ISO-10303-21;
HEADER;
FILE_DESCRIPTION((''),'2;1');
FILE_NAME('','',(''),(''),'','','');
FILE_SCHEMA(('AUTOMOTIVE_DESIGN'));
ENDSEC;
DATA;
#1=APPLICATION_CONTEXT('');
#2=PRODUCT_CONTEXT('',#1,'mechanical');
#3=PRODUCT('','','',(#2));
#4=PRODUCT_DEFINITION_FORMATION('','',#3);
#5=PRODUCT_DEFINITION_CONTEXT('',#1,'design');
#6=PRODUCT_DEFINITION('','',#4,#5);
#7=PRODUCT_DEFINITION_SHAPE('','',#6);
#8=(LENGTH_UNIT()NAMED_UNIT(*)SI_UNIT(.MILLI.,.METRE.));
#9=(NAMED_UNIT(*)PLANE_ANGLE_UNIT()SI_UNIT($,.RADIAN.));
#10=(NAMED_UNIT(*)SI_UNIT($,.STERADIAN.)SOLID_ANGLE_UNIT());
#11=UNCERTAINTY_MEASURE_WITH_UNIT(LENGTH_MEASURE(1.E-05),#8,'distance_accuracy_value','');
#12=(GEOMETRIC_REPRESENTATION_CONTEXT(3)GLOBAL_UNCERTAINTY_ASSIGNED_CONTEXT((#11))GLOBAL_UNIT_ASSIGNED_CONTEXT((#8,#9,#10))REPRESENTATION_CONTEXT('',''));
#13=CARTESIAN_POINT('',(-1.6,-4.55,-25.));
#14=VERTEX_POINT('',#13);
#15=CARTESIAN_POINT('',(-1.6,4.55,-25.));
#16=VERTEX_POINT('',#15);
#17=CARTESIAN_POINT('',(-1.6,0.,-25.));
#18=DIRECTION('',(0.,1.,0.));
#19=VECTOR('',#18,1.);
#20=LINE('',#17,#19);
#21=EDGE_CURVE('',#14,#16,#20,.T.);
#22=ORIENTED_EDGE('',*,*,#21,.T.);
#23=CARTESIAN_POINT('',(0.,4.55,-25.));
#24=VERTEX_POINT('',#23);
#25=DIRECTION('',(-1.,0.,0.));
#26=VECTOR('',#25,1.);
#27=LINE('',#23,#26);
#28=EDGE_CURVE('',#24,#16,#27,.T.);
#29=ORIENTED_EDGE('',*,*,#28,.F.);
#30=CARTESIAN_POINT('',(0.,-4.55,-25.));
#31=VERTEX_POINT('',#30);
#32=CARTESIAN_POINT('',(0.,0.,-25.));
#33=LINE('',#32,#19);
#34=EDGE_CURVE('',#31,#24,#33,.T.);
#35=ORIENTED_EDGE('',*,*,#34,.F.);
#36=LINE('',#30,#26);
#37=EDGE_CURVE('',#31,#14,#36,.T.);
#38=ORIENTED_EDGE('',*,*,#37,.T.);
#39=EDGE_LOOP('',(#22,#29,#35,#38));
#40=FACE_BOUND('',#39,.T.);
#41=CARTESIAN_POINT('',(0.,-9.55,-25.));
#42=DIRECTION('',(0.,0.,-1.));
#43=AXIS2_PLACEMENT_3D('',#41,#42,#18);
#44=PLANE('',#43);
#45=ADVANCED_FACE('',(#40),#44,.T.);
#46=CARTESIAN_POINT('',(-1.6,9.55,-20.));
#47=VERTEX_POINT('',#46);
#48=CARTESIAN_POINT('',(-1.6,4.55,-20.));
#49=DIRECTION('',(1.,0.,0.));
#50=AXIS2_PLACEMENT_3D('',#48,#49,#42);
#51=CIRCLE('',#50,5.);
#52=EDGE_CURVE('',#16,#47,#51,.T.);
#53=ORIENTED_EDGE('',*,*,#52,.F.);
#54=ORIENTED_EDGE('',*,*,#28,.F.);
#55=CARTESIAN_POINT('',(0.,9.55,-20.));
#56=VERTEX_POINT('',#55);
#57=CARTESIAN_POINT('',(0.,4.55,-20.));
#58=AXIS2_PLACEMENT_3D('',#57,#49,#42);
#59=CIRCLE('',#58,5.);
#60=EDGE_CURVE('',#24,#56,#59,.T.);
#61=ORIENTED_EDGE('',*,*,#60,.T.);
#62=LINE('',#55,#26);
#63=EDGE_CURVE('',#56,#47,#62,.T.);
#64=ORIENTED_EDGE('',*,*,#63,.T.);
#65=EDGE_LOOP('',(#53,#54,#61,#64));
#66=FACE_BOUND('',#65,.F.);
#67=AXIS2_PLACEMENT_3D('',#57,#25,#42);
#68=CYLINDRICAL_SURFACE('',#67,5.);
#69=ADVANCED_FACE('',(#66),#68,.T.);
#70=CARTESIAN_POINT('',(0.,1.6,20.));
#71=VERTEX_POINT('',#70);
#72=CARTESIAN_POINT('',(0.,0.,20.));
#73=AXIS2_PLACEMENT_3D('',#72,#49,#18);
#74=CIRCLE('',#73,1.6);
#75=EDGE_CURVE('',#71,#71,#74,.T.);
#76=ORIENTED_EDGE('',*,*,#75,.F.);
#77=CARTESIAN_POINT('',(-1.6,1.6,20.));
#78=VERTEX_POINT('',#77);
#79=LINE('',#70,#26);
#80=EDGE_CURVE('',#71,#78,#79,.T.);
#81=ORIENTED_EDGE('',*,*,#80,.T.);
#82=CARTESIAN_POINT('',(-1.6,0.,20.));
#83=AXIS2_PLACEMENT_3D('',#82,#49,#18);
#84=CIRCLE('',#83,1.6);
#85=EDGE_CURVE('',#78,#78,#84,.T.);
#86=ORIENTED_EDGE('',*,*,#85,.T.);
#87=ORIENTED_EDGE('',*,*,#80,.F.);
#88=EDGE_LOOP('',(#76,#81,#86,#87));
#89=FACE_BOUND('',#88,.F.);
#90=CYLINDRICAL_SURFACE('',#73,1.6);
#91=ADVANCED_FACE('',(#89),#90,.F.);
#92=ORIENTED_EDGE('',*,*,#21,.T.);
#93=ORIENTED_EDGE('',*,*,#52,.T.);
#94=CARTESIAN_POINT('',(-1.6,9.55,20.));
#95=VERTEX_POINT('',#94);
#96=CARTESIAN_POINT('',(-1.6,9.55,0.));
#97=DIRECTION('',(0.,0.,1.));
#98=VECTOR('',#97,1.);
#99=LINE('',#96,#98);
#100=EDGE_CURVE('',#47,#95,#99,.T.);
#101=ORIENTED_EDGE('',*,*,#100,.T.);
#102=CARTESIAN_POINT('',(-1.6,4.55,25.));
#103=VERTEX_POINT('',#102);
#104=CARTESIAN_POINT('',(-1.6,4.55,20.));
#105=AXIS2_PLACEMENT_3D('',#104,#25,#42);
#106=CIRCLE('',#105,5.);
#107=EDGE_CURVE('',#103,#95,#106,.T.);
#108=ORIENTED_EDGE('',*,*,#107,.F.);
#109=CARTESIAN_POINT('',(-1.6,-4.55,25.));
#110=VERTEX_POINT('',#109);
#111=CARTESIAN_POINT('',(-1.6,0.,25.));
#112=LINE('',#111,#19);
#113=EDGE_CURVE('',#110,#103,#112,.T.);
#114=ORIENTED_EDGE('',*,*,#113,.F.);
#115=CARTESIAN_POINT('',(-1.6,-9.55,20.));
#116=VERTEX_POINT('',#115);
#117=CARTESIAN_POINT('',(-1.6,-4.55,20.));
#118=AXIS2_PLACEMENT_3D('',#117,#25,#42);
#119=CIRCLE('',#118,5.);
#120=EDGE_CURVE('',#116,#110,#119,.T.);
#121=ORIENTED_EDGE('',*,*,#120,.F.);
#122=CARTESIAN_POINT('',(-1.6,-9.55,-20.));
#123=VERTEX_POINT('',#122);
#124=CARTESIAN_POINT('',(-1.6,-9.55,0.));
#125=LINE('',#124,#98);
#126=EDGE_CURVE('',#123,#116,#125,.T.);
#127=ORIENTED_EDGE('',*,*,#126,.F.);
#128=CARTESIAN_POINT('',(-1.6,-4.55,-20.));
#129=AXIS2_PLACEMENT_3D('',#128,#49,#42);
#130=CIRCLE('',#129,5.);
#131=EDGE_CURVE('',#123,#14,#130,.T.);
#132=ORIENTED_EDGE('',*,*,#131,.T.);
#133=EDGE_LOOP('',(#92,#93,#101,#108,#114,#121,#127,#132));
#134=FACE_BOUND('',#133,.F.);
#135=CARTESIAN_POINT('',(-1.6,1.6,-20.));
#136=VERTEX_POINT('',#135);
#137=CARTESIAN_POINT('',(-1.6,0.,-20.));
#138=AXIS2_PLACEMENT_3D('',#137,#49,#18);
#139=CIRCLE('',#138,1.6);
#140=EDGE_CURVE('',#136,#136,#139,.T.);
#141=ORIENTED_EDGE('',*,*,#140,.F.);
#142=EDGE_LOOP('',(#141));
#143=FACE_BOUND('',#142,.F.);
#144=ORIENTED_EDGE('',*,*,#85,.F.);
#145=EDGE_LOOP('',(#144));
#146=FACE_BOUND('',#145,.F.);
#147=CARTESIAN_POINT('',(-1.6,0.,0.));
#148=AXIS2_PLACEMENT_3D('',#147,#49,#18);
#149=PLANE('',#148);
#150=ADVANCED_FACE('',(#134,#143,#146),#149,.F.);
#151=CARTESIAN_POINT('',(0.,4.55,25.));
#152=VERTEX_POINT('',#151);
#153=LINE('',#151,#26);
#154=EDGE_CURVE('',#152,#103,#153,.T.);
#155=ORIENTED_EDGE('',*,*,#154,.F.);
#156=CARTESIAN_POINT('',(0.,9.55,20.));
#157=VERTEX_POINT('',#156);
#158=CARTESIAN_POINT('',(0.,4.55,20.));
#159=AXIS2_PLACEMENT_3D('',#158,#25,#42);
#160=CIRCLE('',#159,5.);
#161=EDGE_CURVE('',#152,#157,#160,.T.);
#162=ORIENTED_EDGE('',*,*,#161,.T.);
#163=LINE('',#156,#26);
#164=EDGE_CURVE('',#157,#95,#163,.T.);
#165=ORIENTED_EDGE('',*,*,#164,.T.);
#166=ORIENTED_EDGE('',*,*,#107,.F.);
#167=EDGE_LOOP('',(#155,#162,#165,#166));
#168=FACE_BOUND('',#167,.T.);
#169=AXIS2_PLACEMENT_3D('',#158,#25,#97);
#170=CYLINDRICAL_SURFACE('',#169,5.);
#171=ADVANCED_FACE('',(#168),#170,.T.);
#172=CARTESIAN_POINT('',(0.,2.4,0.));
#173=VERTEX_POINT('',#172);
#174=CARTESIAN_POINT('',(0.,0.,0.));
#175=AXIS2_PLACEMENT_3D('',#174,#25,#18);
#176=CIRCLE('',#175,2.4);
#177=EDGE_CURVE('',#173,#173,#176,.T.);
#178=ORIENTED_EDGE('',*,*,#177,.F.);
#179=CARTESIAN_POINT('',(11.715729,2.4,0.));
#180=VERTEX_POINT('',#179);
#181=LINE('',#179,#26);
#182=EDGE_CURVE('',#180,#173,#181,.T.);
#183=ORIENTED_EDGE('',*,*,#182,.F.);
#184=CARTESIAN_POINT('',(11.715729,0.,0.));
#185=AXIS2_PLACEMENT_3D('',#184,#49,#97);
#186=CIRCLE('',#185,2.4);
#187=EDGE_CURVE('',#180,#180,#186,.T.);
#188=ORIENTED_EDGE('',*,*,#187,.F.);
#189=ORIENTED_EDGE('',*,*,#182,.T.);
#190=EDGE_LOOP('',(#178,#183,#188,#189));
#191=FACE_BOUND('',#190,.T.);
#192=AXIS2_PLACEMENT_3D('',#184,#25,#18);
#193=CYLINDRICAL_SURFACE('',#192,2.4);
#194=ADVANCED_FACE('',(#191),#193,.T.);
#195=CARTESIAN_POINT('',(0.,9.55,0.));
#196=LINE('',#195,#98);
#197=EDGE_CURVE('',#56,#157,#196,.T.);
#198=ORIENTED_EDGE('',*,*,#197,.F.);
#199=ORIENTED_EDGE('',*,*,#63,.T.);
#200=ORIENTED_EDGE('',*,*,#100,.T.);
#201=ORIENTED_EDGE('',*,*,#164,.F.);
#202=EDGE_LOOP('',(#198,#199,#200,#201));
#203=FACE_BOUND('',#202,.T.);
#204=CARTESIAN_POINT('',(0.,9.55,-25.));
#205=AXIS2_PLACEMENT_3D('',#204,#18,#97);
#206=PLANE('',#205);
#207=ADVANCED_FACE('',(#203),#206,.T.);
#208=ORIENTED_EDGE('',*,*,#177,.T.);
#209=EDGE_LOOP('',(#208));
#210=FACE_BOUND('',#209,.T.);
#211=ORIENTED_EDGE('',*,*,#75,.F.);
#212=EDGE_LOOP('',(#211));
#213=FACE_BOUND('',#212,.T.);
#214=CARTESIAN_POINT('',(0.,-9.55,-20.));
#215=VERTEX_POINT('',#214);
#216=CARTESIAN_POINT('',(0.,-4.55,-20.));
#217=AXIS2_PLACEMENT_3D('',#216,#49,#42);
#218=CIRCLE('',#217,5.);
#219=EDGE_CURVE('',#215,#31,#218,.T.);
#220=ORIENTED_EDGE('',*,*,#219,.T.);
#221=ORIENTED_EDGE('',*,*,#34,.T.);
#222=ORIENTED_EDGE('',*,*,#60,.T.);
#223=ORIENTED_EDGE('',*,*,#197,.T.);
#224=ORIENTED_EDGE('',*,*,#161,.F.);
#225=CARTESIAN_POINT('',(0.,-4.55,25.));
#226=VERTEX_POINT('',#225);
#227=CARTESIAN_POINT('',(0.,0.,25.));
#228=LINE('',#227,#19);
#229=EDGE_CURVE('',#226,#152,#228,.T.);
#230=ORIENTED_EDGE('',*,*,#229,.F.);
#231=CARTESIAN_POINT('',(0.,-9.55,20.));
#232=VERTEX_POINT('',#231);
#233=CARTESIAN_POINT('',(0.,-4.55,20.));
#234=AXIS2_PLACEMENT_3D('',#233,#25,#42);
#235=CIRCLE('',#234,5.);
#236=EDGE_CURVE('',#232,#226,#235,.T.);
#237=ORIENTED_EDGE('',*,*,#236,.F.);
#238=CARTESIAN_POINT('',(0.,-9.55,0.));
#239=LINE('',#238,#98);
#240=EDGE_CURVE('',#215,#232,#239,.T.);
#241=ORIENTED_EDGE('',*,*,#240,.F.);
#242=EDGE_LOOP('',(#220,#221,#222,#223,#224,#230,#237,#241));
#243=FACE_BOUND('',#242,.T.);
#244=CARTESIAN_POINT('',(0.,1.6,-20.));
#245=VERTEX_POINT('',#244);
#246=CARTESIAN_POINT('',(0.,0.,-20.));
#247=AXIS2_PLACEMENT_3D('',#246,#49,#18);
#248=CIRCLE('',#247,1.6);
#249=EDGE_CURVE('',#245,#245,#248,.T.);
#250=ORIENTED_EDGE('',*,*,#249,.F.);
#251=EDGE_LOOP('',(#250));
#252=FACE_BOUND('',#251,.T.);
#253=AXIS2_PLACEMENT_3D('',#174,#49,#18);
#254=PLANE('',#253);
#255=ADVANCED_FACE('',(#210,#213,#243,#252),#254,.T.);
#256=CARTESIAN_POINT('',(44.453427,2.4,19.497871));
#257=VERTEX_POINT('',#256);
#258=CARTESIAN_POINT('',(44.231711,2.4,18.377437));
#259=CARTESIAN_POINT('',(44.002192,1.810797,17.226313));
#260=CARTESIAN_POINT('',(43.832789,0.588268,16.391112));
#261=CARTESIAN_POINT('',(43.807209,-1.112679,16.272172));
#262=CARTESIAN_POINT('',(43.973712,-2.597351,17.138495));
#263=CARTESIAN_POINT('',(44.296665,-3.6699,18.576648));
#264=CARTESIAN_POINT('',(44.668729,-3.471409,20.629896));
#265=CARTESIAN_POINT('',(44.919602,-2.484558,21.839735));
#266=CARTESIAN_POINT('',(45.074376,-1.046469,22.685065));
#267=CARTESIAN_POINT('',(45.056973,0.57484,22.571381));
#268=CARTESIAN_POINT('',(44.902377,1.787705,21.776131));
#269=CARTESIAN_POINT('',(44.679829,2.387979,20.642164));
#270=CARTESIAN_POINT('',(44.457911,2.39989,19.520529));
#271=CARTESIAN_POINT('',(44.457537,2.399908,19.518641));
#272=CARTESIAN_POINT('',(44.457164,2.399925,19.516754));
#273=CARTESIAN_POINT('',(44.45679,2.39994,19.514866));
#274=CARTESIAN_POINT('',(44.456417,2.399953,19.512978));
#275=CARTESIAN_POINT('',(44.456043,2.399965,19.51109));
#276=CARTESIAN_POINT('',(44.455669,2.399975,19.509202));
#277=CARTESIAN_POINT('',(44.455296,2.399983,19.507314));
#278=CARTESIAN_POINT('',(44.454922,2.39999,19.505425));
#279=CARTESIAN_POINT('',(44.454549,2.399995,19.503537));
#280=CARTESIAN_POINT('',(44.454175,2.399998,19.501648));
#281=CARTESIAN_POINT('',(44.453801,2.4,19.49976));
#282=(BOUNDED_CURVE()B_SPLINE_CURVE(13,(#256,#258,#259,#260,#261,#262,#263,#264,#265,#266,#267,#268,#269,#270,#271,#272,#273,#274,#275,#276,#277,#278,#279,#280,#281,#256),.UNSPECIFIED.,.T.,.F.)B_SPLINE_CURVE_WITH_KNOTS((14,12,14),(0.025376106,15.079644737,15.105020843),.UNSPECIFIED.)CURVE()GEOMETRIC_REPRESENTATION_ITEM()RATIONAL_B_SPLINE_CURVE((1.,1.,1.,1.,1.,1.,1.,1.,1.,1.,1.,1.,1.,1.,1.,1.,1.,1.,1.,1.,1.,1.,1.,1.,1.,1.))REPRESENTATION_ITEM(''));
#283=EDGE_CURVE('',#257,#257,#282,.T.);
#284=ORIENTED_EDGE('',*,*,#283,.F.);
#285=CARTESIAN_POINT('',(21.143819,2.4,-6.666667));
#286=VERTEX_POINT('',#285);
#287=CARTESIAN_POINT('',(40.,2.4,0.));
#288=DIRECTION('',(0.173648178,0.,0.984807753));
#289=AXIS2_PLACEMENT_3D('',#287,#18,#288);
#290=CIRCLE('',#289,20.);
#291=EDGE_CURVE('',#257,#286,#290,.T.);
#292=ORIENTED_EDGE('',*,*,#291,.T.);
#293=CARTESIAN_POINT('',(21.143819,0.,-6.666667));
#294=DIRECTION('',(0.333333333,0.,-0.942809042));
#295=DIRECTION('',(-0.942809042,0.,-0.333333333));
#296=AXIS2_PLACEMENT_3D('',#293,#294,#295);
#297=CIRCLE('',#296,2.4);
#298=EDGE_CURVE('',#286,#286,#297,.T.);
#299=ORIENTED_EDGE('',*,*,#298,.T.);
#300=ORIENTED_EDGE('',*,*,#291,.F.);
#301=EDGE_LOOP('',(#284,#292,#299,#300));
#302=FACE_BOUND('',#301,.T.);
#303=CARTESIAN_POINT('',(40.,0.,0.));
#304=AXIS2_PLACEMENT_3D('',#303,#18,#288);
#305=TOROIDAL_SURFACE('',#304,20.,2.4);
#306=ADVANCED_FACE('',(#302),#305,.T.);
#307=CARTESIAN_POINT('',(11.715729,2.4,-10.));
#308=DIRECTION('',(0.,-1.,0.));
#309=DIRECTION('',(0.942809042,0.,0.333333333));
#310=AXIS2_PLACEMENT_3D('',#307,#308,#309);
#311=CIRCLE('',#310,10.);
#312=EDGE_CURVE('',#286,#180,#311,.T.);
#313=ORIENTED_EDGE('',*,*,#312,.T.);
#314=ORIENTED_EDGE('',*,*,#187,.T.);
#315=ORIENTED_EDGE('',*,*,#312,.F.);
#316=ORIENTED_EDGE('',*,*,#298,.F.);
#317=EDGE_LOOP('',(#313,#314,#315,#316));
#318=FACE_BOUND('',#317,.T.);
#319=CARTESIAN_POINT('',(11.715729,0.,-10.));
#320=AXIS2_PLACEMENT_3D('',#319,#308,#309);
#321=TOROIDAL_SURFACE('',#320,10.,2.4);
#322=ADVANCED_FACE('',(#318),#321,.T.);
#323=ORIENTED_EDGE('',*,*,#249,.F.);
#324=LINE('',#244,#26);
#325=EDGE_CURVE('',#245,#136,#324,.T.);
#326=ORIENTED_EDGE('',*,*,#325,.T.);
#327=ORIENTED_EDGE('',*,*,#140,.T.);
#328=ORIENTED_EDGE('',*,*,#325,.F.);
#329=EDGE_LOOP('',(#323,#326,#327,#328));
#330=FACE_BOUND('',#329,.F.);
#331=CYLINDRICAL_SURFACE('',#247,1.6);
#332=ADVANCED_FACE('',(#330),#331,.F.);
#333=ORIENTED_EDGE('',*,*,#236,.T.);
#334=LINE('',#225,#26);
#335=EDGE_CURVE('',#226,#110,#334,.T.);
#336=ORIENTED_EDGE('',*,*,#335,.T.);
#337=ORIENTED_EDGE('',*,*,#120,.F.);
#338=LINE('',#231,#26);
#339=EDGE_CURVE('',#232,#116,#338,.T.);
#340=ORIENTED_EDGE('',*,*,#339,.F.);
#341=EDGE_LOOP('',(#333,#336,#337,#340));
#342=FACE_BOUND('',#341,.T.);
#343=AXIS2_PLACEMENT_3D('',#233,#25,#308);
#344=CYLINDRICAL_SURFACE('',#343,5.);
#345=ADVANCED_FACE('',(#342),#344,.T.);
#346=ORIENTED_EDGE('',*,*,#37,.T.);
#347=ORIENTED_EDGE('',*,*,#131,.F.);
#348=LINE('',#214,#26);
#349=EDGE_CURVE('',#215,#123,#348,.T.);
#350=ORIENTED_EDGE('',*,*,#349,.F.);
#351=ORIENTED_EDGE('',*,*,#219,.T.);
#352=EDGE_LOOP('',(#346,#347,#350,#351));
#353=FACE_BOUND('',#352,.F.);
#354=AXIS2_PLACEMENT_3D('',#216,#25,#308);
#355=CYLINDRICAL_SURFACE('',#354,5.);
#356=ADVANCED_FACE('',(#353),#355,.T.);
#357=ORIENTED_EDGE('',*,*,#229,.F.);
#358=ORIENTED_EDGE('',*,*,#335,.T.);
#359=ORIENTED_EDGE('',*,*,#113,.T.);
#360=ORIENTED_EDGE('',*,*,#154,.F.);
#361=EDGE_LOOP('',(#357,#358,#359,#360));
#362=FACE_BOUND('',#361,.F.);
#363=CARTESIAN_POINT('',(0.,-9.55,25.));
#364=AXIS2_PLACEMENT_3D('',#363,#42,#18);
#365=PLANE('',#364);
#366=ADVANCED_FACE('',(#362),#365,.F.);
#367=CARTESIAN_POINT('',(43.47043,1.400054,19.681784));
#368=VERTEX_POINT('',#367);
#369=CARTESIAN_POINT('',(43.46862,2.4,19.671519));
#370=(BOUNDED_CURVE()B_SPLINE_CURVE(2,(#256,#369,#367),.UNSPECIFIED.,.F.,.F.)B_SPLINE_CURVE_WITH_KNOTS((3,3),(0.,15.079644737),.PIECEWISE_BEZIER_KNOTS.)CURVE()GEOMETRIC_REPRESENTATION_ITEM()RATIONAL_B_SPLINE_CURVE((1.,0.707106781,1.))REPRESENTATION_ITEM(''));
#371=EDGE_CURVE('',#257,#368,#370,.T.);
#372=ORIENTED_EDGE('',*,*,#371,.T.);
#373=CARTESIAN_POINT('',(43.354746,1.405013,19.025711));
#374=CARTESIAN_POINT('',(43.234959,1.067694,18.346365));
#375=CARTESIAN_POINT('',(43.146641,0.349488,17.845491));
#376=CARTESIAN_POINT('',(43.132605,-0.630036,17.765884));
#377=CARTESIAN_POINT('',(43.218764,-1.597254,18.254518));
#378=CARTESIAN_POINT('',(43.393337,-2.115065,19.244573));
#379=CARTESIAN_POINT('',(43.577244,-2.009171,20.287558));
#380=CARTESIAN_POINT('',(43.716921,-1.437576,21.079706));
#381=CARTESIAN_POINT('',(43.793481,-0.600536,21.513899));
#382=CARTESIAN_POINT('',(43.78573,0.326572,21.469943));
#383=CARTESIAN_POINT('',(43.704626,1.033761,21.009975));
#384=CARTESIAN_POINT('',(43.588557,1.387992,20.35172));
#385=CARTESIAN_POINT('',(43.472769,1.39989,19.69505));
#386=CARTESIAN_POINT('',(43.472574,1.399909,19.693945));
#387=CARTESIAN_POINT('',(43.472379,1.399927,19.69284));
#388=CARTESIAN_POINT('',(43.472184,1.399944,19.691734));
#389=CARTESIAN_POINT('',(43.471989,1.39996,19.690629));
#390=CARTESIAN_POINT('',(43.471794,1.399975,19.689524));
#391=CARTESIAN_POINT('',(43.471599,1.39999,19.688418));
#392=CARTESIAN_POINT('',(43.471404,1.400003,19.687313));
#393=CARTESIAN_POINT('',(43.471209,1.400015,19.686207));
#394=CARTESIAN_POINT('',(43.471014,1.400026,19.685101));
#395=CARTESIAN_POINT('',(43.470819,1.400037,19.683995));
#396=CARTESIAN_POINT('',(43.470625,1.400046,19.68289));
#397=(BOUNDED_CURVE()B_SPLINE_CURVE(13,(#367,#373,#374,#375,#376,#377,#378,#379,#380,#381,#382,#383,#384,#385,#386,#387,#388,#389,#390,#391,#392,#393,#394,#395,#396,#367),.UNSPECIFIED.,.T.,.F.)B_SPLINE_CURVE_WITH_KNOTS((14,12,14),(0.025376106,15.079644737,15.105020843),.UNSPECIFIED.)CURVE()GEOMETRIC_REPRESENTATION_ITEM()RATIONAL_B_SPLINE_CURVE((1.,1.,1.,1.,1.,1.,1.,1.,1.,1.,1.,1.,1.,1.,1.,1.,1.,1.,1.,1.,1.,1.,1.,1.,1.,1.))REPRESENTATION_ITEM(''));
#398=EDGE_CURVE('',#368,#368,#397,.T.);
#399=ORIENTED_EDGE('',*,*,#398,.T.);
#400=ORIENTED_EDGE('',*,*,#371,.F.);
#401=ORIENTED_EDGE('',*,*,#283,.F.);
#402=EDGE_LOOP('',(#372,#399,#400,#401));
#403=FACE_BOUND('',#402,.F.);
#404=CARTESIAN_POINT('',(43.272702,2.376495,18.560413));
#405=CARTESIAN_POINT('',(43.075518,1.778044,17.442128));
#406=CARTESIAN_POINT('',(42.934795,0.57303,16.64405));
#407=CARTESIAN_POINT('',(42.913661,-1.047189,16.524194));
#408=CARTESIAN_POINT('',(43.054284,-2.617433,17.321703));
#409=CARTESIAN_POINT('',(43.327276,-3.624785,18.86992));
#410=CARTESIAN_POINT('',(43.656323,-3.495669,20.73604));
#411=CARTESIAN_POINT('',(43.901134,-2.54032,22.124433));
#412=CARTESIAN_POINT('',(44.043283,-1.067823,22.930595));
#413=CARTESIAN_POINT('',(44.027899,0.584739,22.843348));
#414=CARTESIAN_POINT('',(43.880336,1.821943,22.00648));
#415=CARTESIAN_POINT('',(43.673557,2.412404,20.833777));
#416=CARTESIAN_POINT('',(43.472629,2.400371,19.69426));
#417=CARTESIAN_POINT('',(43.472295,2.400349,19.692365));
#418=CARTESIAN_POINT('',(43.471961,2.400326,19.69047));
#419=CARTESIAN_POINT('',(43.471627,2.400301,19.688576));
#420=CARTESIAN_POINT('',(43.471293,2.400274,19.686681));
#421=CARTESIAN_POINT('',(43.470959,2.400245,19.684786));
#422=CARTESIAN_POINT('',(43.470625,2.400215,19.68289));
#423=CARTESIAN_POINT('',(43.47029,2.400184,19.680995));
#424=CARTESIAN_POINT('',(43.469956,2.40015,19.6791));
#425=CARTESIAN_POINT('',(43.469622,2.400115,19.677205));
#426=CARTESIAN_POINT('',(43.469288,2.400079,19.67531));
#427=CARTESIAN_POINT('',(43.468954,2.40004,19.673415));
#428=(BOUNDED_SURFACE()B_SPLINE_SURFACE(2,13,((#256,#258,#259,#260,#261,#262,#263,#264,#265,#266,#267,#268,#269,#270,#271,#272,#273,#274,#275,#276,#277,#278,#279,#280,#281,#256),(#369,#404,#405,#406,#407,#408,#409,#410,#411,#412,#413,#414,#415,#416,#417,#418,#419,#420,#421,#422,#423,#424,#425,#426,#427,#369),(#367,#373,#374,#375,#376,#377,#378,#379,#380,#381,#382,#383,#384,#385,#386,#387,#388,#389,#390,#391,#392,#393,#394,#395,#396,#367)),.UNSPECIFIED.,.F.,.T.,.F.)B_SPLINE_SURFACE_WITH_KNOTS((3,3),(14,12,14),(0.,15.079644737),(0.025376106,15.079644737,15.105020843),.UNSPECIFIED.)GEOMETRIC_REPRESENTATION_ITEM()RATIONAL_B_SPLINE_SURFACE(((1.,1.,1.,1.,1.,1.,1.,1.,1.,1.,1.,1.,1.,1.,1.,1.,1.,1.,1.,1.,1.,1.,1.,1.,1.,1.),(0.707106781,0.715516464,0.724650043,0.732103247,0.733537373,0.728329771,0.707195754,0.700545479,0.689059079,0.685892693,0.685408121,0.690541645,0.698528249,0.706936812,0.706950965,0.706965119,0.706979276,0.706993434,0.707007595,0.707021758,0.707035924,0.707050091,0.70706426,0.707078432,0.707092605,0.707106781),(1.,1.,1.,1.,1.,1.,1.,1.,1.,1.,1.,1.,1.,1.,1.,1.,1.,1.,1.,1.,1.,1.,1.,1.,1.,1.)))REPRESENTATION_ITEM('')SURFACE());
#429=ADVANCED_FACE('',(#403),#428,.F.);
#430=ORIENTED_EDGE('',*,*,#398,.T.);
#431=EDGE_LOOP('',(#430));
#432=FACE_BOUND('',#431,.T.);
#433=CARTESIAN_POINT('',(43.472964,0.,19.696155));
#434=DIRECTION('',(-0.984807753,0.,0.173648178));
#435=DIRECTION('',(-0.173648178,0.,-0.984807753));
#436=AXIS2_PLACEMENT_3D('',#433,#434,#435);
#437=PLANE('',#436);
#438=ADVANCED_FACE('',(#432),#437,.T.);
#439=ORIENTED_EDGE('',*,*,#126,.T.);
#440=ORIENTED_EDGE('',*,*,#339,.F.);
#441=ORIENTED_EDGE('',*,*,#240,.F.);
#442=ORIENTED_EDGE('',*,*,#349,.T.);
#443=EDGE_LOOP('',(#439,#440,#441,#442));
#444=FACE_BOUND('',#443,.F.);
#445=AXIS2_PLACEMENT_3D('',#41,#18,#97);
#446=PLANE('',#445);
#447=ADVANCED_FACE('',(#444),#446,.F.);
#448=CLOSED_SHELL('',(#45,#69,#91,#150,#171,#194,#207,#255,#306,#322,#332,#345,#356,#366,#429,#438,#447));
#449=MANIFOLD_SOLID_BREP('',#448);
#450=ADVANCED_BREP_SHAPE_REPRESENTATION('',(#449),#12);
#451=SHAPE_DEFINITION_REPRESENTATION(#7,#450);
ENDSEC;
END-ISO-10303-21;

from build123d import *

# Parameters (mm, degrees)
F1_R     = 2.4
F3_W     = 19.1
F3_H     = 50
F3_R     = 1.6
F4_DEPTH = 1.6
F5_R     = 5
F6_R     = 1


with BuildPart() as f2:
    # F2: sweep along a path in F0
    with BuildLine(Plane.XZ) as f2_path:
        ThreePointArc((43.4729635533, 19.6961550602), (55.2614034679, -12.9263128614), (21.1438191684, -6.6666666667))
        ThreePointArc((21.1438191684, -6.6666666667), (17.4892314444, -1.8350341907), (11.7157287525, 0))
        Line((11.7157287525, 0), (0, 0))
    # F1 (on Right) → F2 (sweep)
    with BuildSketch(Plane.YZ):
        Circle(F1_R)
    sweep(path=f2_path.line)

    # F3 (on Right) → F4 (join)
    with BuildSketch(Plane.YZ):
        Rectangle(F3_W, F3_H)
        with Locations((0, -20)):
            Circle(F3_R, mode=Mode.SUBTRACT)
        with Locations((0, 20)):
            Circle(F3_R, mode=Mode.SUBTRACT)
    extrude(amount=-F4_DEPTH)

    # F5
    f5_edges = [f2.edges().sort_by_distance(p)[0] for p in [
        (-0.8, -9.55, 25),
        (-0.8, 9.55, 25),
        (-0.8, -9.55, -25),
        (-0.8, 9.55, -25),
    ]]
    fillet(f5_edges, radius=F5_R)

    # F6
    f6_edges = [f2.edges().sort_by_distance(p)[0] for p in [
        (43.472964, -2.4, 19.696155),
    ]]
    fillet(f6_edges, radius=F6_R)


solid = f2.part
